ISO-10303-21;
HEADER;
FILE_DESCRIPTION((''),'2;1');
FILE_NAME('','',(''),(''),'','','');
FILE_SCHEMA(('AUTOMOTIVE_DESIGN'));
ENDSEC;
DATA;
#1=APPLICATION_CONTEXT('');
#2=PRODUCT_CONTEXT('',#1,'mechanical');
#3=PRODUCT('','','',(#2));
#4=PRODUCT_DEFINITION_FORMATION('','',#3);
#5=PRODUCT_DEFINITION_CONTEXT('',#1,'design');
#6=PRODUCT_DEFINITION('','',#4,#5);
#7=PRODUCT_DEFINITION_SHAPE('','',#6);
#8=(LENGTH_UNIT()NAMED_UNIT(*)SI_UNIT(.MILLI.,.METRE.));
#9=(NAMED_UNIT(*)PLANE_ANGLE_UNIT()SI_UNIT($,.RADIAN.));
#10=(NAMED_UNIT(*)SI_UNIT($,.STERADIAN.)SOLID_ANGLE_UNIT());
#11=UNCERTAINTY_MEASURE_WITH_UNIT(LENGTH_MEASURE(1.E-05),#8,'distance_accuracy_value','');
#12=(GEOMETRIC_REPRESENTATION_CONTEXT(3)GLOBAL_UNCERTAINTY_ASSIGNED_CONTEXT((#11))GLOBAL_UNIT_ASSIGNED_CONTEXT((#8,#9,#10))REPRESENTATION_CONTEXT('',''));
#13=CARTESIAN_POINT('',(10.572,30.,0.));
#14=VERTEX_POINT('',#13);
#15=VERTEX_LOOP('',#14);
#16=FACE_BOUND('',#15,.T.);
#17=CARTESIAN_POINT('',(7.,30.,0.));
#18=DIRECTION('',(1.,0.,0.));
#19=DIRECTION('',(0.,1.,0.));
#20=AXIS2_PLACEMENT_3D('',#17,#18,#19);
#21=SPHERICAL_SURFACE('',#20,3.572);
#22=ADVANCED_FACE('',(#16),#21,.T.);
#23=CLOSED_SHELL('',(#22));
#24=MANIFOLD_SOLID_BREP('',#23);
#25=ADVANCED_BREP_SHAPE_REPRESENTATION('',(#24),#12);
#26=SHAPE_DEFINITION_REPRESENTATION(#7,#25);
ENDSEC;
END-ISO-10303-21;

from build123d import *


with BuildPart() as part:
    # Croquis1 → Revolución1 (revolve)
    with BuildSketch(Plane.XY):
        with BuildLine():
            Line((10.572, 30), (3.428, 30))
            ThreePointArc((3.428, 30), (7, 33.572), (10.572, 30))
        make_face()
    revolve(axis=Axis((50, 30, 0), (-1, 0, 0)))


solid = part.part
